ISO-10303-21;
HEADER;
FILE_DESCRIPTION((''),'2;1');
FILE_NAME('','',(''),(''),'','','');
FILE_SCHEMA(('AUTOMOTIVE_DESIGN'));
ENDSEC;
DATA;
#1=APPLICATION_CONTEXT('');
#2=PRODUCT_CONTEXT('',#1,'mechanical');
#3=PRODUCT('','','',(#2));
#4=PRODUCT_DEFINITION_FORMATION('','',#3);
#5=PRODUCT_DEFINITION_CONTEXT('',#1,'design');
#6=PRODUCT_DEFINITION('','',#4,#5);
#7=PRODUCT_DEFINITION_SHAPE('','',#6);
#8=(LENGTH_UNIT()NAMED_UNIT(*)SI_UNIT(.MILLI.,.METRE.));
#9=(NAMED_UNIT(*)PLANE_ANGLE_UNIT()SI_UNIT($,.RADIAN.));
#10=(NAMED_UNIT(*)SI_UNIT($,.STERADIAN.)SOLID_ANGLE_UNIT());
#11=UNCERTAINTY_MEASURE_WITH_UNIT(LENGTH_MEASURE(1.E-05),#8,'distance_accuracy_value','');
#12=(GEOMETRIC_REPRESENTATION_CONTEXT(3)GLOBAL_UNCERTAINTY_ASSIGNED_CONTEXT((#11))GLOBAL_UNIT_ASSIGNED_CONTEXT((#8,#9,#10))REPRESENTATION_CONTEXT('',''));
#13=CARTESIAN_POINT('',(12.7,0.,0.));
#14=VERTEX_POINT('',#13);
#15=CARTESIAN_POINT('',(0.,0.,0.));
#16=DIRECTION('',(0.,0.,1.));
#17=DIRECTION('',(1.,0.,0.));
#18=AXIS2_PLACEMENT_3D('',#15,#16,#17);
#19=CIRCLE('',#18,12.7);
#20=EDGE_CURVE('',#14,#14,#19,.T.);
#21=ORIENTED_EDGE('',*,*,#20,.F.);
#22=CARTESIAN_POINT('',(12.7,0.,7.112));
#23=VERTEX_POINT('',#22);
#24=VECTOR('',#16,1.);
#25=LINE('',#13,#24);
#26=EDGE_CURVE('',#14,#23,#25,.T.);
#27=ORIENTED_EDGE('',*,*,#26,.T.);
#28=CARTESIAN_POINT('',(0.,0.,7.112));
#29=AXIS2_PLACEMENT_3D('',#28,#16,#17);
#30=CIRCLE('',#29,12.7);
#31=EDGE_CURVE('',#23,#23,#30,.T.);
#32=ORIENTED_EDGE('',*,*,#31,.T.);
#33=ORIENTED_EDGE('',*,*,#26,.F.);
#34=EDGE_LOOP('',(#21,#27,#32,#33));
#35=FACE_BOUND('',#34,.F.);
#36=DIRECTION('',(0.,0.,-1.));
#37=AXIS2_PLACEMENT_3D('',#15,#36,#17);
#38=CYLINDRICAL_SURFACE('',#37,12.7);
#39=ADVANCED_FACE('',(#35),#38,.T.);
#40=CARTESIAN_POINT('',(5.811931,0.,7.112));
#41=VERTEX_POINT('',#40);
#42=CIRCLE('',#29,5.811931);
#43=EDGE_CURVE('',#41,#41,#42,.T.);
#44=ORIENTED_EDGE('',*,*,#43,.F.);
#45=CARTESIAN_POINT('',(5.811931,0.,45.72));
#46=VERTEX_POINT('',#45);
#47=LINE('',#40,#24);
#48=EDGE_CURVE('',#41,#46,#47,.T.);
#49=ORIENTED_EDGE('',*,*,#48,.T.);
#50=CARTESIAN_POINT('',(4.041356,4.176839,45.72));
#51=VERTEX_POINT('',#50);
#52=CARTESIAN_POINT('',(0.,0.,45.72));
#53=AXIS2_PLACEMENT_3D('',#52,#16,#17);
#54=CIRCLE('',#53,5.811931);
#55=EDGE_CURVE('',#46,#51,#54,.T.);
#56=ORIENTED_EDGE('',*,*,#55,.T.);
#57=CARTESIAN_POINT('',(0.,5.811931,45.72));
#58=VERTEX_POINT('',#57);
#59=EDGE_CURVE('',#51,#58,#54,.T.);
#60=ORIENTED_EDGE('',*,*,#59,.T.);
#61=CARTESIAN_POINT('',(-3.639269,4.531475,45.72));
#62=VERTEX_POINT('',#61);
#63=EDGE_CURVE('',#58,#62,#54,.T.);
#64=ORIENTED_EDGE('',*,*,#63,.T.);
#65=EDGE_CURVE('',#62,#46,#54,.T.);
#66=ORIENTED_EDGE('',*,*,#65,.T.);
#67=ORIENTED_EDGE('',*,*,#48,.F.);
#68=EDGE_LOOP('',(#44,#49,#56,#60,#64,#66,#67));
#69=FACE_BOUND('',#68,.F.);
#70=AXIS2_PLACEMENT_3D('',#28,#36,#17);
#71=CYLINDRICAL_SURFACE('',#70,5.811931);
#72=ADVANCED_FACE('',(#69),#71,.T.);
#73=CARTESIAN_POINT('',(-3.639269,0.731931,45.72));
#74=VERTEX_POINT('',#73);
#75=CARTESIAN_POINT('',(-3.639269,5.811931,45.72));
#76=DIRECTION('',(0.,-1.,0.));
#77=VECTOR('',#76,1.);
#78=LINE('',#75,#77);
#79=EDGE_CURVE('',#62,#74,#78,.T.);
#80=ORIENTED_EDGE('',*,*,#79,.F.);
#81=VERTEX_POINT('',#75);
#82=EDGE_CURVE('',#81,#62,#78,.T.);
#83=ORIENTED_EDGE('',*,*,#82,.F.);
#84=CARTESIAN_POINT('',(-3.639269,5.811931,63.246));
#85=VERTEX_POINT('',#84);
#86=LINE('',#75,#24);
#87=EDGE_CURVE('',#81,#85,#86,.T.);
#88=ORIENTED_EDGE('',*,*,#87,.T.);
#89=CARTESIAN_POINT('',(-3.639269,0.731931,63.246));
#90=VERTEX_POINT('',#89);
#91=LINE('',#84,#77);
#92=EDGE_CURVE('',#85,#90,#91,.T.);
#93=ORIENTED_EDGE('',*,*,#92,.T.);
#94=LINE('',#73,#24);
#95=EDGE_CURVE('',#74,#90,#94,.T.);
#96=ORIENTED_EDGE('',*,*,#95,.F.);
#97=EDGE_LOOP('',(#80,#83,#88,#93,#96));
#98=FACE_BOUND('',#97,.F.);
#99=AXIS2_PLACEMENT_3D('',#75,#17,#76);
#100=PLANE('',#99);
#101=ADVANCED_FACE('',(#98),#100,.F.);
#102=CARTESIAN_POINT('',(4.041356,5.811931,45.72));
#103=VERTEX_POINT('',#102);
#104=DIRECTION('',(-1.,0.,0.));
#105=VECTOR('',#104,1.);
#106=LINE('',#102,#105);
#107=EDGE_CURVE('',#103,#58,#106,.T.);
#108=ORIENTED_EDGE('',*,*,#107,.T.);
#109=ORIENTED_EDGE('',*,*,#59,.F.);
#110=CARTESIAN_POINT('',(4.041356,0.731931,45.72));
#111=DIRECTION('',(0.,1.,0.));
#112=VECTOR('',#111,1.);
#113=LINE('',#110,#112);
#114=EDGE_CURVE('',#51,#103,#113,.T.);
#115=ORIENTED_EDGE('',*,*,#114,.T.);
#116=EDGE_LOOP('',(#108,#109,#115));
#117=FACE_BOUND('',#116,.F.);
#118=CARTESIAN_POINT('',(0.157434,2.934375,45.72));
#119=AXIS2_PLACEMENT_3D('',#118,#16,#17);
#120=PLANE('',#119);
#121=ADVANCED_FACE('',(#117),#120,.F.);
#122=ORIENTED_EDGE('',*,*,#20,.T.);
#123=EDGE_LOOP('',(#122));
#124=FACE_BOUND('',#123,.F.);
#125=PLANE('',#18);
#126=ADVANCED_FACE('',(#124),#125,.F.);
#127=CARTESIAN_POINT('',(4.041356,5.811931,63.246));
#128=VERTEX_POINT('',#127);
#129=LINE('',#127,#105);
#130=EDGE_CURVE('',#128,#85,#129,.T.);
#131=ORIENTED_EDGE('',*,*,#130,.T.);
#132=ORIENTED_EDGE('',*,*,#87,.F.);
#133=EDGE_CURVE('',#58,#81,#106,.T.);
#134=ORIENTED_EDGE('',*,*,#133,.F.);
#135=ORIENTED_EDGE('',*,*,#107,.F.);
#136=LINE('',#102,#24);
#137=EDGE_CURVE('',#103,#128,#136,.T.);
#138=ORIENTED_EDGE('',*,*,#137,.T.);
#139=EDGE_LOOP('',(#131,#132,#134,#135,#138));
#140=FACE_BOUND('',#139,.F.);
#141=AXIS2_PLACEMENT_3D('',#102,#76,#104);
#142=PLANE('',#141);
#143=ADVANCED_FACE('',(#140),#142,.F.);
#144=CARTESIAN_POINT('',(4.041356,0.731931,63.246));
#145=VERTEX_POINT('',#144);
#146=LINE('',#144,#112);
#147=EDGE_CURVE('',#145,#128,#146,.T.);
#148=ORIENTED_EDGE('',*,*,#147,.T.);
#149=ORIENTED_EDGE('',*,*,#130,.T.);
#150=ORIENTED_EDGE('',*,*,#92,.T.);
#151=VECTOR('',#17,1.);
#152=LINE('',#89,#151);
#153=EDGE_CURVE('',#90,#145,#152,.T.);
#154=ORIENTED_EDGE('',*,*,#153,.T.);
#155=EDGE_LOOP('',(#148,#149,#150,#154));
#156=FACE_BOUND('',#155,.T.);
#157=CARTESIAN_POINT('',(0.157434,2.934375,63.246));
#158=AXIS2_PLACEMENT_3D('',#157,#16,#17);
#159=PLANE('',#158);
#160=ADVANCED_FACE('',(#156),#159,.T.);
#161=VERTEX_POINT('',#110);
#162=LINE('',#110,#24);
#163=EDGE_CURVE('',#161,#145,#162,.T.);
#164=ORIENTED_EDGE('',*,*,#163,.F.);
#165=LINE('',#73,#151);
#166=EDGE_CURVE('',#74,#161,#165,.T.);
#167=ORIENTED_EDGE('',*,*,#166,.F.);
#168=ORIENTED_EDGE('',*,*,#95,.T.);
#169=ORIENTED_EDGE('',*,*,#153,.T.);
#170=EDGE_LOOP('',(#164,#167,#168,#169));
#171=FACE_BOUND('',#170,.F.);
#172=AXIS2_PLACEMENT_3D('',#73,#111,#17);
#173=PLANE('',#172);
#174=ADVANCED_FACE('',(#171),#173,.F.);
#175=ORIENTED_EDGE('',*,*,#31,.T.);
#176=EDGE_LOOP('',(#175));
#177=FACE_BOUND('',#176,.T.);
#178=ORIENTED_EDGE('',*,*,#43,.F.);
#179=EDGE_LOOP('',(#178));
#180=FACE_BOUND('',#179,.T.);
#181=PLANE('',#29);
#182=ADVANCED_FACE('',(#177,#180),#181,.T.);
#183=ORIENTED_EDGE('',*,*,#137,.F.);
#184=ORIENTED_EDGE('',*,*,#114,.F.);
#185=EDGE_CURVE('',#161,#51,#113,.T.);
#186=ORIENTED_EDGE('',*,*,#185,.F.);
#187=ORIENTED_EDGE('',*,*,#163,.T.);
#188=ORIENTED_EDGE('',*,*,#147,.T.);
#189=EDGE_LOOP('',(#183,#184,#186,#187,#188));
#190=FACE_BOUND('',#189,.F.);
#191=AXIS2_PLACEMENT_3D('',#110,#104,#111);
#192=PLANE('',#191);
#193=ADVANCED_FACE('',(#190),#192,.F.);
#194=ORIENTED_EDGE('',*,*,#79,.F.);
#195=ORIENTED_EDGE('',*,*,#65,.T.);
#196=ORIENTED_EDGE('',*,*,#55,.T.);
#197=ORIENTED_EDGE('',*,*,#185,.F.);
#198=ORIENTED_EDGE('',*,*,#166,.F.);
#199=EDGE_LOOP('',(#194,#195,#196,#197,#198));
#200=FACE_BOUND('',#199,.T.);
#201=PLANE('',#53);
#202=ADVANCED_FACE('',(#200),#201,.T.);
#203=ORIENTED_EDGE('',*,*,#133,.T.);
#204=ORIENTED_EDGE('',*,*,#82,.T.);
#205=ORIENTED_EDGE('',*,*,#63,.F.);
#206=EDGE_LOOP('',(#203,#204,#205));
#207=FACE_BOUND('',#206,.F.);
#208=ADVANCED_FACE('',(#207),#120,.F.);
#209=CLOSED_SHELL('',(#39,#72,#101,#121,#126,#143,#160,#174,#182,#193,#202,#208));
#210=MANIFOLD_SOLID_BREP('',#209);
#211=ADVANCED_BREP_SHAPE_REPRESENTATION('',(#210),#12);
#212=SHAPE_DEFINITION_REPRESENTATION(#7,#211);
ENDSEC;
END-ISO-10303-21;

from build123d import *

# Parameters (mm, degrees)
F0_R     = 12.7
F1_DEPTH = 7.112
F2_R     = 5.811931
F3_DEPTH = 38.608
F5_DEPTH = 17.526


with BuildPart() as f1:
    # F0 (on Top) → F1 (new body)
    with BuildSketch(Plane.XY):
        Circle(F0_R)
    extrude(amount=F1_DEPTH)

    # F2 (on face) → F3 (join)
    with BuildSketch(Plane.XY.offset(7.112)):
        Circle(F2_R)
    extrude(amount=F3_DEPTH)

    # F4 (on face) → F5 (join)
    with BuildSketch(Plane.XY.offset(45.72)):
        with BuildLine():
            ThreePointArc((4.041356, 4.176839), (2.179798, 5.387673), (0, 5.811931))
            ThreePointArc((0, 5.811931), (-1.928979, 5.482479), (-3.639269, 4.531475))
            Line((-3.639269, 4.531475), (-3.639269, 0.731931))
            Line((-3.639269, 0.731931), (4.041356, 0.731931))
            Line((4.041356, 0.731931), (4.041356, 4.176839))
        make_face()
        with BuildLine():
            ThreePointArc((-3.639269, 4.531475), (-1.928979, 5.482479), (0, 5.811931))
            Line((0, 5.811931), (-3.639269, 5.811931))
            Line((-3.639269, 5.811931), (-3.639269, 4.531475))
        make_face()
        with BuildLine():
            Line((4.041356, 4.176839), (4.041356, 5.811931))
            Line((4.041356, 5.811931), (0, 5.811931))
            ThreePointArc((0, 5.811931), (2.179798, 5.387673), (4.041356, 4.176839))
        make_face()
    extrude(amount=F5_DEPTH)


solid = f1.part
